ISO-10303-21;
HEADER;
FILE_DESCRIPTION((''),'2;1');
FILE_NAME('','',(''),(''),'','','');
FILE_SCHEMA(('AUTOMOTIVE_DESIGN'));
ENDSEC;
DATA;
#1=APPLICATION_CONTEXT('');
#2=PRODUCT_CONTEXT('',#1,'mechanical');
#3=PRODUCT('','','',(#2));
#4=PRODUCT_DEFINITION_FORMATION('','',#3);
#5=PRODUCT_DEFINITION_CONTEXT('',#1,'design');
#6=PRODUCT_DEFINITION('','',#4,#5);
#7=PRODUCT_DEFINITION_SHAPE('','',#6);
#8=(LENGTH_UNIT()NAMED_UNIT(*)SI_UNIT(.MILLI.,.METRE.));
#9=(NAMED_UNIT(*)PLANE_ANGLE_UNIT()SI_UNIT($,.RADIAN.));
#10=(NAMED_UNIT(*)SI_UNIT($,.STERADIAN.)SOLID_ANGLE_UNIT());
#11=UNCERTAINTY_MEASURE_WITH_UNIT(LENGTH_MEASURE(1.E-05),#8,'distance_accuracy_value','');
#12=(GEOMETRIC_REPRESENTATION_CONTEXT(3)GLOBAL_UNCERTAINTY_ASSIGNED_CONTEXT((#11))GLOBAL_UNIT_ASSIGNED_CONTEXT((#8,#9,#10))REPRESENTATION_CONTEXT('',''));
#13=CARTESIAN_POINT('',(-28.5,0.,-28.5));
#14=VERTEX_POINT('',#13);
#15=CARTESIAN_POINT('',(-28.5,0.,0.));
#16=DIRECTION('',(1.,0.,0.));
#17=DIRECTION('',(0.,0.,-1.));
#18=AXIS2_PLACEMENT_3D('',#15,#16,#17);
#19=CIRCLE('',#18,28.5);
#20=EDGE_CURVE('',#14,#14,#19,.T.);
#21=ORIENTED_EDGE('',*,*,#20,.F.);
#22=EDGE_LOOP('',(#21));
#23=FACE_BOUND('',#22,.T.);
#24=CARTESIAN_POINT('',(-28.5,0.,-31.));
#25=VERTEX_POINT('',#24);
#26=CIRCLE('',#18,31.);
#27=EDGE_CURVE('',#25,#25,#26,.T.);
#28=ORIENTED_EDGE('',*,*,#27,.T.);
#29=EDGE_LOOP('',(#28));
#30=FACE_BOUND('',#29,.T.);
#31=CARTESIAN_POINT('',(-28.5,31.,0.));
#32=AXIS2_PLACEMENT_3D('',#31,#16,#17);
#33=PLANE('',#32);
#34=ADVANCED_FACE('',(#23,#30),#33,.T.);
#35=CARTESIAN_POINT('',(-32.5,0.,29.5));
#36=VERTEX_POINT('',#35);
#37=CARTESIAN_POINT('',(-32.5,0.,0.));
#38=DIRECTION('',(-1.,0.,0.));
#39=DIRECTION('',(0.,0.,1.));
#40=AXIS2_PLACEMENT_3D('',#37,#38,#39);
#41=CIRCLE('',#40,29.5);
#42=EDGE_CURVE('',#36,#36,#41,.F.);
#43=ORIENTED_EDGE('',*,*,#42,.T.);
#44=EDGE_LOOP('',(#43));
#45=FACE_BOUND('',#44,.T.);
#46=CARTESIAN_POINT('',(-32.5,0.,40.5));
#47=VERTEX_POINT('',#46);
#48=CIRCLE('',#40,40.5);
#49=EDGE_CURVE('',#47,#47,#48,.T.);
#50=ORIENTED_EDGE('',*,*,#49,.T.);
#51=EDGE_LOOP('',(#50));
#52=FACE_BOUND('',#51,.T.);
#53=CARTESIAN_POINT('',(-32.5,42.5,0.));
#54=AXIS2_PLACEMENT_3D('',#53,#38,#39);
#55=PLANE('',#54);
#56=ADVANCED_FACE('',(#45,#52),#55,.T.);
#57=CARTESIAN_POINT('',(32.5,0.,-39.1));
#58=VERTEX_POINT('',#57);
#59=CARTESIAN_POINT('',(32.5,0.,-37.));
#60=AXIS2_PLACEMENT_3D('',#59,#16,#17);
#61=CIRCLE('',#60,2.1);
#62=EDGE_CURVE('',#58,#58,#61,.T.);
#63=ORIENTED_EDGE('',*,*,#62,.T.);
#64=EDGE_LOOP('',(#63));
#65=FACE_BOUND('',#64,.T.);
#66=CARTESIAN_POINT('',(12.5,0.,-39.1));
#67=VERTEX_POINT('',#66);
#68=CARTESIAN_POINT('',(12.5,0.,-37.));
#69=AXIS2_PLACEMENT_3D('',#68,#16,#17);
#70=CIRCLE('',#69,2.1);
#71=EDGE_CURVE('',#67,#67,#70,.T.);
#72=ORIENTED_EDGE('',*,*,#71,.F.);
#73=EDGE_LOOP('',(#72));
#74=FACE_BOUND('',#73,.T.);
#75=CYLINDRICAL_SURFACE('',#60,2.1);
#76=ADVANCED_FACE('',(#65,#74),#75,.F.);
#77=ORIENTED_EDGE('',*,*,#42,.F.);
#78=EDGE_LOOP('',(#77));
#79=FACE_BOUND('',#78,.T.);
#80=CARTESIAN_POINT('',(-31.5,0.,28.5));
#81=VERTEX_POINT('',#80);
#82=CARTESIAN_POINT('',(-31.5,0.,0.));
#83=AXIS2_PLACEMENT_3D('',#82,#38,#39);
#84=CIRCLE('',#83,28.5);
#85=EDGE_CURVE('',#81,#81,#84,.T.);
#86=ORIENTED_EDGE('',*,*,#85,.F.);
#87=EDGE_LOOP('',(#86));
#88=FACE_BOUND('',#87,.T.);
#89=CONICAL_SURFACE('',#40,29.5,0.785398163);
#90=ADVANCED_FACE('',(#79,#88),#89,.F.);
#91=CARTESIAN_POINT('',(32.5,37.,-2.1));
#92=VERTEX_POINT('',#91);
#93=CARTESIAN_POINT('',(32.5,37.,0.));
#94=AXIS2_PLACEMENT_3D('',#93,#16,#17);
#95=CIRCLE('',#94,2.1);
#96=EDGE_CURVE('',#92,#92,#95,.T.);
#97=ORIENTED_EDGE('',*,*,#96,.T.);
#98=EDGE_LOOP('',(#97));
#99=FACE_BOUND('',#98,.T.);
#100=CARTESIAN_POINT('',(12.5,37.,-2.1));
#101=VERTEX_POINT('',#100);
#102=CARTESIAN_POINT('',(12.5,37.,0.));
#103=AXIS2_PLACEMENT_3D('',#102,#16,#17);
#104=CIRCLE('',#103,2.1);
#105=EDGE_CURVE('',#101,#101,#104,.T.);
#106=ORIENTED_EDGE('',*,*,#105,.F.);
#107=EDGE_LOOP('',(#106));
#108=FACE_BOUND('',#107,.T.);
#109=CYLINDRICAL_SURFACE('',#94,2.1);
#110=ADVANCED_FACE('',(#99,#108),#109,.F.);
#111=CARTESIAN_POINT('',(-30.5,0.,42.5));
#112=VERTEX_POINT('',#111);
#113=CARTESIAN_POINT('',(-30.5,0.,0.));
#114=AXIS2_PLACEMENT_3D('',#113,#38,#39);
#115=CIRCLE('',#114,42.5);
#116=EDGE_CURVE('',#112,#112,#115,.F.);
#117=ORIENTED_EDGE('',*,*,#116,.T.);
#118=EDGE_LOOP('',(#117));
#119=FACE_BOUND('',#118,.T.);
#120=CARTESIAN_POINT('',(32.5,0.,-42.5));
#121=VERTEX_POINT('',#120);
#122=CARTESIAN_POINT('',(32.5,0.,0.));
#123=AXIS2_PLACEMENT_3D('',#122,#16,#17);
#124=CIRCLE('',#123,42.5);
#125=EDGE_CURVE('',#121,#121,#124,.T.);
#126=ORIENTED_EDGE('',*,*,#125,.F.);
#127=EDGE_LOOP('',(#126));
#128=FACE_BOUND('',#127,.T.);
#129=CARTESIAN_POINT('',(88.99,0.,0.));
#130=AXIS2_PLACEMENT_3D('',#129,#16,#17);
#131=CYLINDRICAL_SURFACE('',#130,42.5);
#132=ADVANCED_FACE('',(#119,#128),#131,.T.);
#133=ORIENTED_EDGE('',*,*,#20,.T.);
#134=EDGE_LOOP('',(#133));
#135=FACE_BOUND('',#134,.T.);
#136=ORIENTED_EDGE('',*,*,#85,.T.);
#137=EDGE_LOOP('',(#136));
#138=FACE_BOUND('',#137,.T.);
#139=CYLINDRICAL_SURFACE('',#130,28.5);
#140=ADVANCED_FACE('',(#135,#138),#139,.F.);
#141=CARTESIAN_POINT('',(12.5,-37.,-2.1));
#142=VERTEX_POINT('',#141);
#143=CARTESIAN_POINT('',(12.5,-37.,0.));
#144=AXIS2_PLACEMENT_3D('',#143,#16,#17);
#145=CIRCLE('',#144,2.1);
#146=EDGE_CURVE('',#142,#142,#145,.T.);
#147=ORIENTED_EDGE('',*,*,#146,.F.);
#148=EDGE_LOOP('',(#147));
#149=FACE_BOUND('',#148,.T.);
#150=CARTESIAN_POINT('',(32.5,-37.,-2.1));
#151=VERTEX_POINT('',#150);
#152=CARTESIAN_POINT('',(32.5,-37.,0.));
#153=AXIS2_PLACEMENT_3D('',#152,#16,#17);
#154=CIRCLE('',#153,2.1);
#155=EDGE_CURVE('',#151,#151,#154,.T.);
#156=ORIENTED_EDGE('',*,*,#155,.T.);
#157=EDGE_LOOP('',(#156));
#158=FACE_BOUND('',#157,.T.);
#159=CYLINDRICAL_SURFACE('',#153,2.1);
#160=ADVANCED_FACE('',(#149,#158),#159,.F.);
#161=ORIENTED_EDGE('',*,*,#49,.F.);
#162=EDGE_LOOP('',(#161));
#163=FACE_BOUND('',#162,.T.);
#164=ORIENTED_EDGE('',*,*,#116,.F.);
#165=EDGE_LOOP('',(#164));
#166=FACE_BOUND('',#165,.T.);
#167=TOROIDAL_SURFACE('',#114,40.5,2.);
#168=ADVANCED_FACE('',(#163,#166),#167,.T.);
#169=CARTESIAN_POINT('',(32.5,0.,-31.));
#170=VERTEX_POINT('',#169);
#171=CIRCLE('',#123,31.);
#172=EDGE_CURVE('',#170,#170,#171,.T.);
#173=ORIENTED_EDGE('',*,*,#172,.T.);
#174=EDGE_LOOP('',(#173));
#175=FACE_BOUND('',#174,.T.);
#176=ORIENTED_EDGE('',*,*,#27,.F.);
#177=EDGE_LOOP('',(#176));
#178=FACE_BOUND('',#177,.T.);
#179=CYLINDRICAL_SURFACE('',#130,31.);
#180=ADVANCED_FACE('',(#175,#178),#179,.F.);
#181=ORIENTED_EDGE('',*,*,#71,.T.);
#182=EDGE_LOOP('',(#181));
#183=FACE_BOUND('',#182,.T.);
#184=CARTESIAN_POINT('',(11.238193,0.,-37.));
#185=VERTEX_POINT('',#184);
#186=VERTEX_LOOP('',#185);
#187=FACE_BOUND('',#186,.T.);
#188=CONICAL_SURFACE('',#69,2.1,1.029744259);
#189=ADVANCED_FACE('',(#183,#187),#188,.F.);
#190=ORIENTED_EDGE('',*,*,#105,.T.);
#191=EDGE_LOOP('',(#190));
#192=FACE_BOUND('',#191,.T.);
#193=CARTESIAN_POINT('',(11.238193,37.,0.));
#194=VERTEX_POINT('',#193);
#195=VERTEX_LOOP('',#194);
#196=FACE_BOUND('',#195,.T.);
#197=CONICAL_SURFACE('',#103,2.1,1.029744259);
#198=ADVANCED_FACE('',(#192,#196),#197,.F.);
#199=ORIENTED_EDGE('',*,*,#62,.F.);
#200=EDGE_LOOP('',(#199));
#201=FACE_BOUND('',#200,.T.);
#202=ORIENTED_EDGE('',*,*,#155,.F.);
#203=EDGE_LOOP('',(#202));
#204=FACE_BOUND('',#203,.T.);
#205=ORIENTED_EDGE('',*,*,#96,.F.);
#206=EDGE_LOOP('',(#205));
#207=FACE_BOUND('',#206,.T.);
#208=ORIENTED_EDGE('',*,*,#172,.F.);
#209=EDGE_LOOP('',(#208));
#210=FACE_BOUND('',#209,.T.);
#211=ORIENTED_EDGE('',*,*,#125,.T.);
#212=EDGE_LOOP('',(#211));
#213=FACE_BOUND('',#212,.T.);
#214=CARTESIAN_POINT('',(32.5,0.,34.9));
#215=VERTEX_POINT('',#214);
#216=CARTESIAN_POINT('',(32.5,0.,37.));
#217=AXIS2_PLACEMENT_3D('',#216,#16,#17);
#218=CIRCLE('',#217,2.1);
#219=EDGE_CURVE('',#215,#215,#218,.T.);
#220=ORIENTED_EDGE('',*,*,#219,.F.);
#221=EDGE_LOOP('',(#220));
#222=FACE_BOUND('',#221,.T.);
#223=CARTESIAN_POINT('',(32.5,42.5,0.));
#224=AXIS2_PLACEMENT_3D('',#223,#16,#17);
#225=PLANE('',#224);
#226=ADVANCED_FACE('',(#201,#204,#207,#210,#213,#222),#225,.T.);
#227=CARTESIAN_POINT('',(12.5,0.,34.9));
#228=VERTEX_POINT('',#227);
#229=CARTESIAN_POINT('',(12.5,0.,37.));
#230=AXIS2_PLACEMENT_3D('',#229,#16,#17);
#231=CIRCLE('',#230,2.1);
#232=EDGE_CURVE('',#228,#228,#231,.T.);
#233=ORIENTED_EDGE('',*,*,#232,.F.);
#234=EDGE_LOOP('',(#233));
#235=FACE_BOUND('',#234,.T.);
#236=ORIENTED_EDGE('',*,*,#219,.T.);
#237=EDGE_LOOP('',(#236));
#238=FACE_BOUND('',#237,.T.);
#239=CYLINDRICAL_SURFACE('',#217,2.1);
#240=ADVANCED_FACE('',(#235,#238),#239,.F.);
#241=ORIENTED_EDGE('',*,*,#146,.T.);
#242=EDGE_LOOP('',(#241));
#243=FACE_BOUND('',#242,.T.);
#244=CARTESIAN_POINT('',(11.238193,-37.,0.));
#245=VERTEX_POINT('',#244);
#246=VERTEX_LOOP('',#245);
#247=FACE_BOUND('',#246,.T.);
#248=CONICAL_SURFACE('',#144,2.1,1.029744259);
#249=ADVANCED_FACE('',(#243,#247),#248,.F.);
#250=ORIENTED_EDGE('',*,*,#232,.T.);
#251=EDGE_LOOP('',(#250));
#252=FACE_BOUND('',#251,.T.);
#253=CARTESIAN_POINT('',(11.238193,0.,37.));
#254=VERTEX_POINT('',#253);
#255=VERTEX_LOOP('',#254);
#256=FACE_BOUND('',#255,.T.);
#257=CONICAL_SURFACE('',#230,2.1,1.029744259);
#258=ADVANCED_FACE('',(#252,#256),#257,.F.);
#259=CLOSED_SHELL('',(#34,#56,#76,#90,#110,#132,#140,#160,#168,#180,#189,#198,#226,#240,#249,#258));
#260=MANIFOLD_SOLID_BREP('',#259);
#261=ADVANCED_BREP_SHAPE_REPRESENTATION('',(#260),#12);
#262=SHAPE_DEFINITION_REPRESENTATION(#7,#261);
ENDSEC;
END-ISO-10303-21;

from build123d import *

# Parameters (mm, degrees)
FILLET1_R         = 2
CHAMFER1_SIZE     = 1
CIRPATTERN1_COUNT = 4


with BuildPart() as part:
    # Sketch1 → Revolve1 (revolve)
    with BuildSketch(Plane.XY):
        Polygon((-32.5, 42.5), (32.5, 42.5), (32.5, 31), (-28.5, 31), (-28.5, 28.5), (-32.5, 28.5), align=None)
    revolve(axis=Axis((88.99, 0, 0), (-1, 0, 0)))

    # Fillet1
    fillet1_edges = [part.edges().sort_by_distance(p)[0] for p in [
        (-32.5, -42.5, 0),
    ]]
    fillet(fillet1_edges, radius=FILLET1_R)

    # Chamfer1
    chamfer1_edges = [part.edges().sort_by_distance(p)[0] for p in [
        (-32.5, -28.5, 0),
    ]]
    chamfer(chamfer1_edges, length=CHAMFER1_SIZE)

    # Sketch5 → Tap Drill for M5x0.8 Tap1 (revolve, cut)
    with BuildSketch(Plane(origin=(32.5, 37, 0), x_dir=(0, 0, -1), z_dir=(0, 1, 0))):
        Polygon((0, 0), (0, 21.2618073), (2.1, 20), (2.1, 0), align=None)
    tap_drill_for_m5x0_8_tap1 = revolve(axis=Axis((38.85, 37, 0), (-1, 0, 0)), mode=Mode.SUBTRACT)

    # CirPattern1: Tap Drill for M5x0.8 Tap1 ×4 about axis
    cirpattern1_axis = Axis((88.99, 0, 0), (-1, 0, 0))
    for i in range(1, CIRPATTERN1_COUNT):
        add(tap_drill_for_m5x0_8_tap1.rotate(cirpattern1_axis, i * 360 / CIRPATTERN1_COUNT), mode=Mode.SUBTRACT)


solid = part.part
